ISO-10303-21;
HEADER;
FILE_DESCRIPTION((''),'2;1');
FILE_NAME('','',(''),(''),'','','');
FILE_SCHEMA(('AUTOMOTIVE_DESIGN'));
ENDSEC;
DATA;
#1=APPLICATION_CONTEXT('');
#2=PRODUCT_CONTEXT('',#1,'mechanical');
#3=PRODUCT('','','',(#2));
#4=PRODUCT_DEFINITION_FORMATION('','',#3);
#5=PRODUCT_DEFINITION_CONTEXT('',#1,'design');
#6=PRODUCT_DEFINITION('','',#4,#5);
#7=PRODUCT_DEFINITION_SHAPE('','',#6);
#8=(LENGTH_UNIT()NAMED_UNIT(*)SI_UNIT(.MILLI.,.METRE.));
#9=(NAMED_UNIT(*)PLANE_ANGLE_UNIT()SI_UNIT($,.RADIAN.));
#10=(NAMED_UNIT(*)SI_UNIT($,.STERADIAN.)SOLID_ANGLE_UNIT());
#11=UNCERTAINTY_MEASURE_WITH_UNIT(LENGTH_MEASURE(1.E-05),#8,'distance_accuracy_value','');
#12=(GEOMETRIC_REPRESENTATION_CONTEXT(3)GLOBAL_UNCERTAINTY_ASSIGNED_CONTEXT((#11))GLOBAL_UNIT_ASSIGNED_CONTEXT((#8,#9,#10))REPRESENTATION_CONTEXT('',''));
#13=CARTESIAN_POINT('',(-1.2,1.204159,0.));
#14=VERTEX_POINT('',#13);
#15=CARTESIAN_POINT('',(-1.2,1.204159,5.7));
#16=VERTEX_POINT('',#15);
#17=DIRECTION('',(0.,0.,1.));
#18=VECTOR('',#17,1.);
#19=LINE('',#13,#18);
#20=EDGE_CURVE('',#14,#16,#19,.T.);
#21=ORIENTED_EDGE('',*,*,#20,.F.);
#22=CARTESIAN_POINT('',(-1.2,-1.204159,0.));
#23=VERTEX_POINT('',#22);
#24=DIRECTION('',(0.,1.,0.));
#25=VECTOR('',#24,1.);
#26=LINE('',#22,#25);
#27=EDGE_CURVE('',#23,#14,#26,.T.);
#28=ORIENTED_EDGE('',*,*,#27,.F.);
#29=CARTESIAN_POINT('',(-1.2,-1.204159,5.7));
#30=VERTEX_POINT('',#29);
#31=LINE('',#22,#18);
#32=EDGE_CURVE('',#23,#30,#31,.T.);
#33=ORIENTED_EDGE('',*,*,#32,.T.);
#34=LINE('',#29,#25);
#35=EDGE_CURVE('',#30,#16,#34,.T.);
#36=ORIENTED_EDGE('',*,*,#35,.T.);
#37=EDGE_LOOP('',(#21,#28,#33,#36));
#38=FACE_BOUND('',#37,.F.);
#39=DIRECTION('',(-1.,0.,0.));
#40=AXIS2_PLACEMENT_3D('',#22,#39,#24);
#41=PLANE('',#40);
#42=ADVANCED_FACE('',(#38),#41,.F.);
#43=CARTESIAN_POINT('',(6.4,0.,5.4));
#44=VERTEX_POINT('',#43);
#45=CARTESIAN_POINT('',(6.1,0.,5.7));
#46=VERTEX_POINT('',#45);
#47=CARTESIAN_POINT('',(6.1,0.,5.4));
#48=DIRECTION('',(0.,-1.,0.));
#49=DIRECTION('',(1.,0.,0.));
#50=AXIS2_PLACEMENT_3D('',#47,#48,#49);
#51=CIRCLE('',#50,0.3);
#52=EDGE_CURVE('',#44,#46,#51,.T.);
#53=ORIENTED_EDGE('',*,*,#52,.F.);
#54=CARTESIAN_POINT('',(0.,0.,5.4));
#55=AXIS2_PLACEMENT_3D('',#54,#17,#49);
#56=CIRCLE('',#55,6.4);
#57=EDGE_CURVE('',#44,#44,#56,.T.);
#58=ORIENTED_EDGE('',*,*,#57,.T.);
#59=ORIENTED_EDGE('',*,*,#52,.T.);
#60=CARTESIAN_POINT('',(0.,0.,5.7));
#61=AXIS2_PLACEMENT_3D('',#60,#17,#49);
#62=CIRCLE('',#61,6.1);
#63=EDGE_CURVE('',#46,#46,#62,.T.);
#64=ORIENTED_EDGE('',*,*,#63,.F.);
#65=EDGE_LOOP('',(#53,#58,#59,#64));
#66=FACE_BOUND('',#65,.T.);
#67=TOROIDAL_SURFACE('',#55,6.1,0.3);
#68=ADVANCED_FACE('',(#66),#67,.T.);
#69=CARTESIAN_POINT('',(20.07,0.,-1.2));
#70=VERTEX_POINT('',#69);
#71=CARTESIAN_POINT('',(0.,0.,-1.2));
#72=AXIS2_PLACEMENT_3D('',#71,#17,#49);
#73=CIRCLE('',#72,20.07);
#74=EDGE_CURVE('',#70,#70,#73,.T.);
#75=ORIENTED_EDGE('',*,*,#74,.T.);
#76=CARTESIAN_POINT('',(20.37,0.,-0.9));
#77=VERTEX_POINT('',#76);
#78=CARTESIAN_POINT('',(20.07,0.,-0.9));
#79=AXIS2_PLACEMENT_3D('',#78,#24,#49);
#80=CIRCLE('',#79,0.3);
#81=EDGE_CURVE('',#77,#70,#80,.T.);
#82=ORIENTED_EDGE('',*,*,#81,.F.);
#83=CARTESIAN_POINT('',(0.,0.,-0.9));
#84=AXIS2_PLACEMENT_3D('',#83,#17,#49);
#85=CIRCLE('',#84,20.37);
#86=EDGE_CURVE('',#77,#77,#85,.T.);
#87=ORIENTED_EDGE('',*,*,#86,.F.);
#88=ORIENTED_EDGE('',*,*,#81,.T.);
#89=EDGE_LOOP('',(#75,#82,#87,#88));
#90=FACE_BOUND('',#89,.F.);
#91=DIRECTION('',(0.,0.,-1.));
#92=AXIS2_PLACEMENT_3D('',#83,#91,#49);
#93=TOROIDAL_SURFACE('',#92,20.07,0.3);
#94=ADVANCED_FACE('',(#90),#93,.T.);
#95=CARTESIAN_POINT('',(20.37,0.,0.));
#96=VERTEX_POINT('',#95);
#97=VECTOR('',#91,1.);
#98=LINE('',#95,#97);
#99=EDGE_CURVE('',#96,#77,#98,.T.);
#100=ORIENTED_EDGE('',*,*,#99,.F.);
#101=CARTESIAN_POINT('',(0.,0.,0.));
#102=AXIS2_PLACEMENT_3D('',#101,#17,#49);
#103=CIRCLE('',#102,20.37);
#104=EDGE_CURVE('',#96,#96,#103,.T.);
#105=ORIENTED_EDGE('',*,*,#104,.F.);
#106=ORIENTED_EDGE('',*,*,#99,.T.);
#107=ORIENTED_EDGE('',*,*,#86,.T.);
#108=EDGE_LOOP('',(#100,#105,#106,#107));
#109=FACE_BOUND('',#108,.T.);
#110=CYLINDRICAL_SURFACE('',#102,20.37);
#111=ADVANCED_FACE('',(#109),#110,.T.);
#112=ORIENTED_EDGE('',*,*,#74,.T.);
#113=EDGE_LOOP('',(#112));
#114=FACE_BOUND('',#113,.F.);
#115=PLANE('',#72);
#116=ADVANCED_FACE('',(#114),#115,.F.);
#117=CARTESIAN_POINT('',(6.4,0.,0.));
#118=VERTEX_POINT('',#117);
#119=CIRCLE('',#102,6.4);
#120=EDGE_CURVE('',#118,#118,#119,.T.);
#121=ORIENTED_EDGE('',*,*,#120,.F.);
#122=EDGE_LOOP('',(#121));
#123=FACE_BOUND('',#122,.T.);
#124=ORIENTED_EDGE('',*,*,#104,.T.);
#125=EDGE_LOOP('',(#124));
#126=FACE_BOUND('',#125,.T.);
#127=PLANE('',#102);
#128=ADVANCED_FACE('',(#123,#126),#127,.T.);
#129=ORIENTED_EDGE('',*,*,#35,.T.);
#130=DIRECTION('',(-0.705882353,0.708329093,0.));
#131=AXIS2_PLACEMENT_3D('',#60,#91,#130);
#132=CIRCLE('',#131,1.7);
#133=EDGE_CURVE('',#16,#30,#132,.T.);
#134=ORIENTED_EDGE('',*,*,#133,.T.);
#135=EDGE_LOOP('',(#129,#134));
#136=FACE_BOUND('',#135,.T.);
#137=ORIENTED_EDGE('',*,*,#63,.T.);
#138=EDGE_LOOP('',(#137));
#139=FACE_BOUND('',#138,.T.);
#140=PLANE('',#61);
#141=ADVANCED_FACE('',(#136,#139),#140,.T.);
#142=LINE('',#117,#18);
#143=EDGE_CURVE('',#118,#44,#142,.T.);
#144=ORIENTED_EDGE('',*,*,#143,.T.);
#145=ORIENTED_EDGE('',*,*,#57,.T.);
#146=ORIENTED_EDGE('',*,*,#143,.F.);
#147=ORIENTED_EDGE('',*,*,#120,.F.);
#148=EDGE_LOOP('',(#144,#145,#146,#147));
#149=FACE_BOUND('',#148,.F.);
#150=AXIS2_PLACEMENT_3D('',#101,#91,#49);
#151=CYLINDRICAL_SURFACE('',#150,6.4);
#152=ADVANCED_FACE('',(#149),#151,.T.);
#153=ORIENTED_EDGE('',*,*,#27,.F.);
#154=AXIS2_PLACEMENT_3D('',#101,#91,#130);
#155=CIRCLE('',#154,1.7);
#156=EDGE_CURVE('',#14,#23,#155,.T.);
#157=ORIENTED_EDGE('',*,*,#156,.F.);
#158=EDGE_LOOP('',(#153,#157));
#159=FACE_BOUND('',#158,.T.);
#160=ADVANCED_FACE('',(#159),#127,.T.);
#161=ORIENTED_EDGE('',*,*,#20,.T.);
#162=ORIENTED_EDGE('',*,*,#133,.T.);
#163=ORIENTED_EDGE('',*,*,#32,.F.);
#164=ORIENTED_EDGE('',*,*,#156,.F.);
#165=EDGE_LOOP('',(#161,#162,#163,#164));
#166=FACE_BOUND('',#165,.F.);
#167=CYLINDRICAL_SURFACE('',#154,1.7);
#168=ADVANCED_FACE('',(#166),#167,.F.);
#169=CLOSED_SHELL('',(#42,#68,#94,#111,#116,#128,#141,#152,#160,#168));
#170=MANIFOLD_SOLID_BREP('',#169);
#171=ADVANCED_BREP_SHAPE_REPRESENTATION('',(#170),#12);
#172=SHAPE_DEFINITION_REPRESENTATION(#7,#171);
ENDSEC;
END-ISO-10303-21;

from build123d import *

# Parameters (mm, degrees)
F0_R     = 20.37
F0_R_2   = 6.4
F1_DEPTH = 1.2
F2_DEPTH = 5.7
F3_R     = 0.3


with BuildPart() as f1:
    # F0 (on Top) → F1 (new body)
    with BuildSketch(Plane.XY):
        Circle(F0_R)
        Circle(F0_R_2, mode=Mode.SUBTRACT)
        Circle(F0_R_2)
        with BuildLine():
            ThreePointArc((-1.2, 1.2041594579), (1.7, 0), (-1.2, -1.2041594579))
            Line((-1.2, -1.2041594579), (-1.2, 1.2041594579))
        make_face(mode=Mode.SUBTRACT)
        with BuildLine():
            Line((-1.2, 1.2041594579), (-1.2, -1.2041594579))
            ThreePointArc((-1.2, -1.2041594579), (1.7, 0), (-1.2, 1.2041594579))
        make_face()
    extrude(amount=-F1_DEPTH)

    # F0 (on Top) → F2 (join)
    with BuildSketch(Plane.XY):
        Circle(F0_R_2)
        with BuildLine():
            ThreePointArc((-1.2, 1.2041594579), (1.7, 0), (-1.2, -1.2041594579))
            Line((-1.2, -1.2041594579), (-1.2, 1.2041594579))
        make_face(mode=Mode.SUBTRACT)
    extrude(amount=F2_DEPTH)

    # F3
    f3_edges = [f1.edges().sort_by_distance(p)[0] for p in [
        (-20.37, 0, -1.2),
        (-6.4, 0, 5.7),
    ]]
    fillet(f3_edges, radius=F3_R)


solid = f1.part
